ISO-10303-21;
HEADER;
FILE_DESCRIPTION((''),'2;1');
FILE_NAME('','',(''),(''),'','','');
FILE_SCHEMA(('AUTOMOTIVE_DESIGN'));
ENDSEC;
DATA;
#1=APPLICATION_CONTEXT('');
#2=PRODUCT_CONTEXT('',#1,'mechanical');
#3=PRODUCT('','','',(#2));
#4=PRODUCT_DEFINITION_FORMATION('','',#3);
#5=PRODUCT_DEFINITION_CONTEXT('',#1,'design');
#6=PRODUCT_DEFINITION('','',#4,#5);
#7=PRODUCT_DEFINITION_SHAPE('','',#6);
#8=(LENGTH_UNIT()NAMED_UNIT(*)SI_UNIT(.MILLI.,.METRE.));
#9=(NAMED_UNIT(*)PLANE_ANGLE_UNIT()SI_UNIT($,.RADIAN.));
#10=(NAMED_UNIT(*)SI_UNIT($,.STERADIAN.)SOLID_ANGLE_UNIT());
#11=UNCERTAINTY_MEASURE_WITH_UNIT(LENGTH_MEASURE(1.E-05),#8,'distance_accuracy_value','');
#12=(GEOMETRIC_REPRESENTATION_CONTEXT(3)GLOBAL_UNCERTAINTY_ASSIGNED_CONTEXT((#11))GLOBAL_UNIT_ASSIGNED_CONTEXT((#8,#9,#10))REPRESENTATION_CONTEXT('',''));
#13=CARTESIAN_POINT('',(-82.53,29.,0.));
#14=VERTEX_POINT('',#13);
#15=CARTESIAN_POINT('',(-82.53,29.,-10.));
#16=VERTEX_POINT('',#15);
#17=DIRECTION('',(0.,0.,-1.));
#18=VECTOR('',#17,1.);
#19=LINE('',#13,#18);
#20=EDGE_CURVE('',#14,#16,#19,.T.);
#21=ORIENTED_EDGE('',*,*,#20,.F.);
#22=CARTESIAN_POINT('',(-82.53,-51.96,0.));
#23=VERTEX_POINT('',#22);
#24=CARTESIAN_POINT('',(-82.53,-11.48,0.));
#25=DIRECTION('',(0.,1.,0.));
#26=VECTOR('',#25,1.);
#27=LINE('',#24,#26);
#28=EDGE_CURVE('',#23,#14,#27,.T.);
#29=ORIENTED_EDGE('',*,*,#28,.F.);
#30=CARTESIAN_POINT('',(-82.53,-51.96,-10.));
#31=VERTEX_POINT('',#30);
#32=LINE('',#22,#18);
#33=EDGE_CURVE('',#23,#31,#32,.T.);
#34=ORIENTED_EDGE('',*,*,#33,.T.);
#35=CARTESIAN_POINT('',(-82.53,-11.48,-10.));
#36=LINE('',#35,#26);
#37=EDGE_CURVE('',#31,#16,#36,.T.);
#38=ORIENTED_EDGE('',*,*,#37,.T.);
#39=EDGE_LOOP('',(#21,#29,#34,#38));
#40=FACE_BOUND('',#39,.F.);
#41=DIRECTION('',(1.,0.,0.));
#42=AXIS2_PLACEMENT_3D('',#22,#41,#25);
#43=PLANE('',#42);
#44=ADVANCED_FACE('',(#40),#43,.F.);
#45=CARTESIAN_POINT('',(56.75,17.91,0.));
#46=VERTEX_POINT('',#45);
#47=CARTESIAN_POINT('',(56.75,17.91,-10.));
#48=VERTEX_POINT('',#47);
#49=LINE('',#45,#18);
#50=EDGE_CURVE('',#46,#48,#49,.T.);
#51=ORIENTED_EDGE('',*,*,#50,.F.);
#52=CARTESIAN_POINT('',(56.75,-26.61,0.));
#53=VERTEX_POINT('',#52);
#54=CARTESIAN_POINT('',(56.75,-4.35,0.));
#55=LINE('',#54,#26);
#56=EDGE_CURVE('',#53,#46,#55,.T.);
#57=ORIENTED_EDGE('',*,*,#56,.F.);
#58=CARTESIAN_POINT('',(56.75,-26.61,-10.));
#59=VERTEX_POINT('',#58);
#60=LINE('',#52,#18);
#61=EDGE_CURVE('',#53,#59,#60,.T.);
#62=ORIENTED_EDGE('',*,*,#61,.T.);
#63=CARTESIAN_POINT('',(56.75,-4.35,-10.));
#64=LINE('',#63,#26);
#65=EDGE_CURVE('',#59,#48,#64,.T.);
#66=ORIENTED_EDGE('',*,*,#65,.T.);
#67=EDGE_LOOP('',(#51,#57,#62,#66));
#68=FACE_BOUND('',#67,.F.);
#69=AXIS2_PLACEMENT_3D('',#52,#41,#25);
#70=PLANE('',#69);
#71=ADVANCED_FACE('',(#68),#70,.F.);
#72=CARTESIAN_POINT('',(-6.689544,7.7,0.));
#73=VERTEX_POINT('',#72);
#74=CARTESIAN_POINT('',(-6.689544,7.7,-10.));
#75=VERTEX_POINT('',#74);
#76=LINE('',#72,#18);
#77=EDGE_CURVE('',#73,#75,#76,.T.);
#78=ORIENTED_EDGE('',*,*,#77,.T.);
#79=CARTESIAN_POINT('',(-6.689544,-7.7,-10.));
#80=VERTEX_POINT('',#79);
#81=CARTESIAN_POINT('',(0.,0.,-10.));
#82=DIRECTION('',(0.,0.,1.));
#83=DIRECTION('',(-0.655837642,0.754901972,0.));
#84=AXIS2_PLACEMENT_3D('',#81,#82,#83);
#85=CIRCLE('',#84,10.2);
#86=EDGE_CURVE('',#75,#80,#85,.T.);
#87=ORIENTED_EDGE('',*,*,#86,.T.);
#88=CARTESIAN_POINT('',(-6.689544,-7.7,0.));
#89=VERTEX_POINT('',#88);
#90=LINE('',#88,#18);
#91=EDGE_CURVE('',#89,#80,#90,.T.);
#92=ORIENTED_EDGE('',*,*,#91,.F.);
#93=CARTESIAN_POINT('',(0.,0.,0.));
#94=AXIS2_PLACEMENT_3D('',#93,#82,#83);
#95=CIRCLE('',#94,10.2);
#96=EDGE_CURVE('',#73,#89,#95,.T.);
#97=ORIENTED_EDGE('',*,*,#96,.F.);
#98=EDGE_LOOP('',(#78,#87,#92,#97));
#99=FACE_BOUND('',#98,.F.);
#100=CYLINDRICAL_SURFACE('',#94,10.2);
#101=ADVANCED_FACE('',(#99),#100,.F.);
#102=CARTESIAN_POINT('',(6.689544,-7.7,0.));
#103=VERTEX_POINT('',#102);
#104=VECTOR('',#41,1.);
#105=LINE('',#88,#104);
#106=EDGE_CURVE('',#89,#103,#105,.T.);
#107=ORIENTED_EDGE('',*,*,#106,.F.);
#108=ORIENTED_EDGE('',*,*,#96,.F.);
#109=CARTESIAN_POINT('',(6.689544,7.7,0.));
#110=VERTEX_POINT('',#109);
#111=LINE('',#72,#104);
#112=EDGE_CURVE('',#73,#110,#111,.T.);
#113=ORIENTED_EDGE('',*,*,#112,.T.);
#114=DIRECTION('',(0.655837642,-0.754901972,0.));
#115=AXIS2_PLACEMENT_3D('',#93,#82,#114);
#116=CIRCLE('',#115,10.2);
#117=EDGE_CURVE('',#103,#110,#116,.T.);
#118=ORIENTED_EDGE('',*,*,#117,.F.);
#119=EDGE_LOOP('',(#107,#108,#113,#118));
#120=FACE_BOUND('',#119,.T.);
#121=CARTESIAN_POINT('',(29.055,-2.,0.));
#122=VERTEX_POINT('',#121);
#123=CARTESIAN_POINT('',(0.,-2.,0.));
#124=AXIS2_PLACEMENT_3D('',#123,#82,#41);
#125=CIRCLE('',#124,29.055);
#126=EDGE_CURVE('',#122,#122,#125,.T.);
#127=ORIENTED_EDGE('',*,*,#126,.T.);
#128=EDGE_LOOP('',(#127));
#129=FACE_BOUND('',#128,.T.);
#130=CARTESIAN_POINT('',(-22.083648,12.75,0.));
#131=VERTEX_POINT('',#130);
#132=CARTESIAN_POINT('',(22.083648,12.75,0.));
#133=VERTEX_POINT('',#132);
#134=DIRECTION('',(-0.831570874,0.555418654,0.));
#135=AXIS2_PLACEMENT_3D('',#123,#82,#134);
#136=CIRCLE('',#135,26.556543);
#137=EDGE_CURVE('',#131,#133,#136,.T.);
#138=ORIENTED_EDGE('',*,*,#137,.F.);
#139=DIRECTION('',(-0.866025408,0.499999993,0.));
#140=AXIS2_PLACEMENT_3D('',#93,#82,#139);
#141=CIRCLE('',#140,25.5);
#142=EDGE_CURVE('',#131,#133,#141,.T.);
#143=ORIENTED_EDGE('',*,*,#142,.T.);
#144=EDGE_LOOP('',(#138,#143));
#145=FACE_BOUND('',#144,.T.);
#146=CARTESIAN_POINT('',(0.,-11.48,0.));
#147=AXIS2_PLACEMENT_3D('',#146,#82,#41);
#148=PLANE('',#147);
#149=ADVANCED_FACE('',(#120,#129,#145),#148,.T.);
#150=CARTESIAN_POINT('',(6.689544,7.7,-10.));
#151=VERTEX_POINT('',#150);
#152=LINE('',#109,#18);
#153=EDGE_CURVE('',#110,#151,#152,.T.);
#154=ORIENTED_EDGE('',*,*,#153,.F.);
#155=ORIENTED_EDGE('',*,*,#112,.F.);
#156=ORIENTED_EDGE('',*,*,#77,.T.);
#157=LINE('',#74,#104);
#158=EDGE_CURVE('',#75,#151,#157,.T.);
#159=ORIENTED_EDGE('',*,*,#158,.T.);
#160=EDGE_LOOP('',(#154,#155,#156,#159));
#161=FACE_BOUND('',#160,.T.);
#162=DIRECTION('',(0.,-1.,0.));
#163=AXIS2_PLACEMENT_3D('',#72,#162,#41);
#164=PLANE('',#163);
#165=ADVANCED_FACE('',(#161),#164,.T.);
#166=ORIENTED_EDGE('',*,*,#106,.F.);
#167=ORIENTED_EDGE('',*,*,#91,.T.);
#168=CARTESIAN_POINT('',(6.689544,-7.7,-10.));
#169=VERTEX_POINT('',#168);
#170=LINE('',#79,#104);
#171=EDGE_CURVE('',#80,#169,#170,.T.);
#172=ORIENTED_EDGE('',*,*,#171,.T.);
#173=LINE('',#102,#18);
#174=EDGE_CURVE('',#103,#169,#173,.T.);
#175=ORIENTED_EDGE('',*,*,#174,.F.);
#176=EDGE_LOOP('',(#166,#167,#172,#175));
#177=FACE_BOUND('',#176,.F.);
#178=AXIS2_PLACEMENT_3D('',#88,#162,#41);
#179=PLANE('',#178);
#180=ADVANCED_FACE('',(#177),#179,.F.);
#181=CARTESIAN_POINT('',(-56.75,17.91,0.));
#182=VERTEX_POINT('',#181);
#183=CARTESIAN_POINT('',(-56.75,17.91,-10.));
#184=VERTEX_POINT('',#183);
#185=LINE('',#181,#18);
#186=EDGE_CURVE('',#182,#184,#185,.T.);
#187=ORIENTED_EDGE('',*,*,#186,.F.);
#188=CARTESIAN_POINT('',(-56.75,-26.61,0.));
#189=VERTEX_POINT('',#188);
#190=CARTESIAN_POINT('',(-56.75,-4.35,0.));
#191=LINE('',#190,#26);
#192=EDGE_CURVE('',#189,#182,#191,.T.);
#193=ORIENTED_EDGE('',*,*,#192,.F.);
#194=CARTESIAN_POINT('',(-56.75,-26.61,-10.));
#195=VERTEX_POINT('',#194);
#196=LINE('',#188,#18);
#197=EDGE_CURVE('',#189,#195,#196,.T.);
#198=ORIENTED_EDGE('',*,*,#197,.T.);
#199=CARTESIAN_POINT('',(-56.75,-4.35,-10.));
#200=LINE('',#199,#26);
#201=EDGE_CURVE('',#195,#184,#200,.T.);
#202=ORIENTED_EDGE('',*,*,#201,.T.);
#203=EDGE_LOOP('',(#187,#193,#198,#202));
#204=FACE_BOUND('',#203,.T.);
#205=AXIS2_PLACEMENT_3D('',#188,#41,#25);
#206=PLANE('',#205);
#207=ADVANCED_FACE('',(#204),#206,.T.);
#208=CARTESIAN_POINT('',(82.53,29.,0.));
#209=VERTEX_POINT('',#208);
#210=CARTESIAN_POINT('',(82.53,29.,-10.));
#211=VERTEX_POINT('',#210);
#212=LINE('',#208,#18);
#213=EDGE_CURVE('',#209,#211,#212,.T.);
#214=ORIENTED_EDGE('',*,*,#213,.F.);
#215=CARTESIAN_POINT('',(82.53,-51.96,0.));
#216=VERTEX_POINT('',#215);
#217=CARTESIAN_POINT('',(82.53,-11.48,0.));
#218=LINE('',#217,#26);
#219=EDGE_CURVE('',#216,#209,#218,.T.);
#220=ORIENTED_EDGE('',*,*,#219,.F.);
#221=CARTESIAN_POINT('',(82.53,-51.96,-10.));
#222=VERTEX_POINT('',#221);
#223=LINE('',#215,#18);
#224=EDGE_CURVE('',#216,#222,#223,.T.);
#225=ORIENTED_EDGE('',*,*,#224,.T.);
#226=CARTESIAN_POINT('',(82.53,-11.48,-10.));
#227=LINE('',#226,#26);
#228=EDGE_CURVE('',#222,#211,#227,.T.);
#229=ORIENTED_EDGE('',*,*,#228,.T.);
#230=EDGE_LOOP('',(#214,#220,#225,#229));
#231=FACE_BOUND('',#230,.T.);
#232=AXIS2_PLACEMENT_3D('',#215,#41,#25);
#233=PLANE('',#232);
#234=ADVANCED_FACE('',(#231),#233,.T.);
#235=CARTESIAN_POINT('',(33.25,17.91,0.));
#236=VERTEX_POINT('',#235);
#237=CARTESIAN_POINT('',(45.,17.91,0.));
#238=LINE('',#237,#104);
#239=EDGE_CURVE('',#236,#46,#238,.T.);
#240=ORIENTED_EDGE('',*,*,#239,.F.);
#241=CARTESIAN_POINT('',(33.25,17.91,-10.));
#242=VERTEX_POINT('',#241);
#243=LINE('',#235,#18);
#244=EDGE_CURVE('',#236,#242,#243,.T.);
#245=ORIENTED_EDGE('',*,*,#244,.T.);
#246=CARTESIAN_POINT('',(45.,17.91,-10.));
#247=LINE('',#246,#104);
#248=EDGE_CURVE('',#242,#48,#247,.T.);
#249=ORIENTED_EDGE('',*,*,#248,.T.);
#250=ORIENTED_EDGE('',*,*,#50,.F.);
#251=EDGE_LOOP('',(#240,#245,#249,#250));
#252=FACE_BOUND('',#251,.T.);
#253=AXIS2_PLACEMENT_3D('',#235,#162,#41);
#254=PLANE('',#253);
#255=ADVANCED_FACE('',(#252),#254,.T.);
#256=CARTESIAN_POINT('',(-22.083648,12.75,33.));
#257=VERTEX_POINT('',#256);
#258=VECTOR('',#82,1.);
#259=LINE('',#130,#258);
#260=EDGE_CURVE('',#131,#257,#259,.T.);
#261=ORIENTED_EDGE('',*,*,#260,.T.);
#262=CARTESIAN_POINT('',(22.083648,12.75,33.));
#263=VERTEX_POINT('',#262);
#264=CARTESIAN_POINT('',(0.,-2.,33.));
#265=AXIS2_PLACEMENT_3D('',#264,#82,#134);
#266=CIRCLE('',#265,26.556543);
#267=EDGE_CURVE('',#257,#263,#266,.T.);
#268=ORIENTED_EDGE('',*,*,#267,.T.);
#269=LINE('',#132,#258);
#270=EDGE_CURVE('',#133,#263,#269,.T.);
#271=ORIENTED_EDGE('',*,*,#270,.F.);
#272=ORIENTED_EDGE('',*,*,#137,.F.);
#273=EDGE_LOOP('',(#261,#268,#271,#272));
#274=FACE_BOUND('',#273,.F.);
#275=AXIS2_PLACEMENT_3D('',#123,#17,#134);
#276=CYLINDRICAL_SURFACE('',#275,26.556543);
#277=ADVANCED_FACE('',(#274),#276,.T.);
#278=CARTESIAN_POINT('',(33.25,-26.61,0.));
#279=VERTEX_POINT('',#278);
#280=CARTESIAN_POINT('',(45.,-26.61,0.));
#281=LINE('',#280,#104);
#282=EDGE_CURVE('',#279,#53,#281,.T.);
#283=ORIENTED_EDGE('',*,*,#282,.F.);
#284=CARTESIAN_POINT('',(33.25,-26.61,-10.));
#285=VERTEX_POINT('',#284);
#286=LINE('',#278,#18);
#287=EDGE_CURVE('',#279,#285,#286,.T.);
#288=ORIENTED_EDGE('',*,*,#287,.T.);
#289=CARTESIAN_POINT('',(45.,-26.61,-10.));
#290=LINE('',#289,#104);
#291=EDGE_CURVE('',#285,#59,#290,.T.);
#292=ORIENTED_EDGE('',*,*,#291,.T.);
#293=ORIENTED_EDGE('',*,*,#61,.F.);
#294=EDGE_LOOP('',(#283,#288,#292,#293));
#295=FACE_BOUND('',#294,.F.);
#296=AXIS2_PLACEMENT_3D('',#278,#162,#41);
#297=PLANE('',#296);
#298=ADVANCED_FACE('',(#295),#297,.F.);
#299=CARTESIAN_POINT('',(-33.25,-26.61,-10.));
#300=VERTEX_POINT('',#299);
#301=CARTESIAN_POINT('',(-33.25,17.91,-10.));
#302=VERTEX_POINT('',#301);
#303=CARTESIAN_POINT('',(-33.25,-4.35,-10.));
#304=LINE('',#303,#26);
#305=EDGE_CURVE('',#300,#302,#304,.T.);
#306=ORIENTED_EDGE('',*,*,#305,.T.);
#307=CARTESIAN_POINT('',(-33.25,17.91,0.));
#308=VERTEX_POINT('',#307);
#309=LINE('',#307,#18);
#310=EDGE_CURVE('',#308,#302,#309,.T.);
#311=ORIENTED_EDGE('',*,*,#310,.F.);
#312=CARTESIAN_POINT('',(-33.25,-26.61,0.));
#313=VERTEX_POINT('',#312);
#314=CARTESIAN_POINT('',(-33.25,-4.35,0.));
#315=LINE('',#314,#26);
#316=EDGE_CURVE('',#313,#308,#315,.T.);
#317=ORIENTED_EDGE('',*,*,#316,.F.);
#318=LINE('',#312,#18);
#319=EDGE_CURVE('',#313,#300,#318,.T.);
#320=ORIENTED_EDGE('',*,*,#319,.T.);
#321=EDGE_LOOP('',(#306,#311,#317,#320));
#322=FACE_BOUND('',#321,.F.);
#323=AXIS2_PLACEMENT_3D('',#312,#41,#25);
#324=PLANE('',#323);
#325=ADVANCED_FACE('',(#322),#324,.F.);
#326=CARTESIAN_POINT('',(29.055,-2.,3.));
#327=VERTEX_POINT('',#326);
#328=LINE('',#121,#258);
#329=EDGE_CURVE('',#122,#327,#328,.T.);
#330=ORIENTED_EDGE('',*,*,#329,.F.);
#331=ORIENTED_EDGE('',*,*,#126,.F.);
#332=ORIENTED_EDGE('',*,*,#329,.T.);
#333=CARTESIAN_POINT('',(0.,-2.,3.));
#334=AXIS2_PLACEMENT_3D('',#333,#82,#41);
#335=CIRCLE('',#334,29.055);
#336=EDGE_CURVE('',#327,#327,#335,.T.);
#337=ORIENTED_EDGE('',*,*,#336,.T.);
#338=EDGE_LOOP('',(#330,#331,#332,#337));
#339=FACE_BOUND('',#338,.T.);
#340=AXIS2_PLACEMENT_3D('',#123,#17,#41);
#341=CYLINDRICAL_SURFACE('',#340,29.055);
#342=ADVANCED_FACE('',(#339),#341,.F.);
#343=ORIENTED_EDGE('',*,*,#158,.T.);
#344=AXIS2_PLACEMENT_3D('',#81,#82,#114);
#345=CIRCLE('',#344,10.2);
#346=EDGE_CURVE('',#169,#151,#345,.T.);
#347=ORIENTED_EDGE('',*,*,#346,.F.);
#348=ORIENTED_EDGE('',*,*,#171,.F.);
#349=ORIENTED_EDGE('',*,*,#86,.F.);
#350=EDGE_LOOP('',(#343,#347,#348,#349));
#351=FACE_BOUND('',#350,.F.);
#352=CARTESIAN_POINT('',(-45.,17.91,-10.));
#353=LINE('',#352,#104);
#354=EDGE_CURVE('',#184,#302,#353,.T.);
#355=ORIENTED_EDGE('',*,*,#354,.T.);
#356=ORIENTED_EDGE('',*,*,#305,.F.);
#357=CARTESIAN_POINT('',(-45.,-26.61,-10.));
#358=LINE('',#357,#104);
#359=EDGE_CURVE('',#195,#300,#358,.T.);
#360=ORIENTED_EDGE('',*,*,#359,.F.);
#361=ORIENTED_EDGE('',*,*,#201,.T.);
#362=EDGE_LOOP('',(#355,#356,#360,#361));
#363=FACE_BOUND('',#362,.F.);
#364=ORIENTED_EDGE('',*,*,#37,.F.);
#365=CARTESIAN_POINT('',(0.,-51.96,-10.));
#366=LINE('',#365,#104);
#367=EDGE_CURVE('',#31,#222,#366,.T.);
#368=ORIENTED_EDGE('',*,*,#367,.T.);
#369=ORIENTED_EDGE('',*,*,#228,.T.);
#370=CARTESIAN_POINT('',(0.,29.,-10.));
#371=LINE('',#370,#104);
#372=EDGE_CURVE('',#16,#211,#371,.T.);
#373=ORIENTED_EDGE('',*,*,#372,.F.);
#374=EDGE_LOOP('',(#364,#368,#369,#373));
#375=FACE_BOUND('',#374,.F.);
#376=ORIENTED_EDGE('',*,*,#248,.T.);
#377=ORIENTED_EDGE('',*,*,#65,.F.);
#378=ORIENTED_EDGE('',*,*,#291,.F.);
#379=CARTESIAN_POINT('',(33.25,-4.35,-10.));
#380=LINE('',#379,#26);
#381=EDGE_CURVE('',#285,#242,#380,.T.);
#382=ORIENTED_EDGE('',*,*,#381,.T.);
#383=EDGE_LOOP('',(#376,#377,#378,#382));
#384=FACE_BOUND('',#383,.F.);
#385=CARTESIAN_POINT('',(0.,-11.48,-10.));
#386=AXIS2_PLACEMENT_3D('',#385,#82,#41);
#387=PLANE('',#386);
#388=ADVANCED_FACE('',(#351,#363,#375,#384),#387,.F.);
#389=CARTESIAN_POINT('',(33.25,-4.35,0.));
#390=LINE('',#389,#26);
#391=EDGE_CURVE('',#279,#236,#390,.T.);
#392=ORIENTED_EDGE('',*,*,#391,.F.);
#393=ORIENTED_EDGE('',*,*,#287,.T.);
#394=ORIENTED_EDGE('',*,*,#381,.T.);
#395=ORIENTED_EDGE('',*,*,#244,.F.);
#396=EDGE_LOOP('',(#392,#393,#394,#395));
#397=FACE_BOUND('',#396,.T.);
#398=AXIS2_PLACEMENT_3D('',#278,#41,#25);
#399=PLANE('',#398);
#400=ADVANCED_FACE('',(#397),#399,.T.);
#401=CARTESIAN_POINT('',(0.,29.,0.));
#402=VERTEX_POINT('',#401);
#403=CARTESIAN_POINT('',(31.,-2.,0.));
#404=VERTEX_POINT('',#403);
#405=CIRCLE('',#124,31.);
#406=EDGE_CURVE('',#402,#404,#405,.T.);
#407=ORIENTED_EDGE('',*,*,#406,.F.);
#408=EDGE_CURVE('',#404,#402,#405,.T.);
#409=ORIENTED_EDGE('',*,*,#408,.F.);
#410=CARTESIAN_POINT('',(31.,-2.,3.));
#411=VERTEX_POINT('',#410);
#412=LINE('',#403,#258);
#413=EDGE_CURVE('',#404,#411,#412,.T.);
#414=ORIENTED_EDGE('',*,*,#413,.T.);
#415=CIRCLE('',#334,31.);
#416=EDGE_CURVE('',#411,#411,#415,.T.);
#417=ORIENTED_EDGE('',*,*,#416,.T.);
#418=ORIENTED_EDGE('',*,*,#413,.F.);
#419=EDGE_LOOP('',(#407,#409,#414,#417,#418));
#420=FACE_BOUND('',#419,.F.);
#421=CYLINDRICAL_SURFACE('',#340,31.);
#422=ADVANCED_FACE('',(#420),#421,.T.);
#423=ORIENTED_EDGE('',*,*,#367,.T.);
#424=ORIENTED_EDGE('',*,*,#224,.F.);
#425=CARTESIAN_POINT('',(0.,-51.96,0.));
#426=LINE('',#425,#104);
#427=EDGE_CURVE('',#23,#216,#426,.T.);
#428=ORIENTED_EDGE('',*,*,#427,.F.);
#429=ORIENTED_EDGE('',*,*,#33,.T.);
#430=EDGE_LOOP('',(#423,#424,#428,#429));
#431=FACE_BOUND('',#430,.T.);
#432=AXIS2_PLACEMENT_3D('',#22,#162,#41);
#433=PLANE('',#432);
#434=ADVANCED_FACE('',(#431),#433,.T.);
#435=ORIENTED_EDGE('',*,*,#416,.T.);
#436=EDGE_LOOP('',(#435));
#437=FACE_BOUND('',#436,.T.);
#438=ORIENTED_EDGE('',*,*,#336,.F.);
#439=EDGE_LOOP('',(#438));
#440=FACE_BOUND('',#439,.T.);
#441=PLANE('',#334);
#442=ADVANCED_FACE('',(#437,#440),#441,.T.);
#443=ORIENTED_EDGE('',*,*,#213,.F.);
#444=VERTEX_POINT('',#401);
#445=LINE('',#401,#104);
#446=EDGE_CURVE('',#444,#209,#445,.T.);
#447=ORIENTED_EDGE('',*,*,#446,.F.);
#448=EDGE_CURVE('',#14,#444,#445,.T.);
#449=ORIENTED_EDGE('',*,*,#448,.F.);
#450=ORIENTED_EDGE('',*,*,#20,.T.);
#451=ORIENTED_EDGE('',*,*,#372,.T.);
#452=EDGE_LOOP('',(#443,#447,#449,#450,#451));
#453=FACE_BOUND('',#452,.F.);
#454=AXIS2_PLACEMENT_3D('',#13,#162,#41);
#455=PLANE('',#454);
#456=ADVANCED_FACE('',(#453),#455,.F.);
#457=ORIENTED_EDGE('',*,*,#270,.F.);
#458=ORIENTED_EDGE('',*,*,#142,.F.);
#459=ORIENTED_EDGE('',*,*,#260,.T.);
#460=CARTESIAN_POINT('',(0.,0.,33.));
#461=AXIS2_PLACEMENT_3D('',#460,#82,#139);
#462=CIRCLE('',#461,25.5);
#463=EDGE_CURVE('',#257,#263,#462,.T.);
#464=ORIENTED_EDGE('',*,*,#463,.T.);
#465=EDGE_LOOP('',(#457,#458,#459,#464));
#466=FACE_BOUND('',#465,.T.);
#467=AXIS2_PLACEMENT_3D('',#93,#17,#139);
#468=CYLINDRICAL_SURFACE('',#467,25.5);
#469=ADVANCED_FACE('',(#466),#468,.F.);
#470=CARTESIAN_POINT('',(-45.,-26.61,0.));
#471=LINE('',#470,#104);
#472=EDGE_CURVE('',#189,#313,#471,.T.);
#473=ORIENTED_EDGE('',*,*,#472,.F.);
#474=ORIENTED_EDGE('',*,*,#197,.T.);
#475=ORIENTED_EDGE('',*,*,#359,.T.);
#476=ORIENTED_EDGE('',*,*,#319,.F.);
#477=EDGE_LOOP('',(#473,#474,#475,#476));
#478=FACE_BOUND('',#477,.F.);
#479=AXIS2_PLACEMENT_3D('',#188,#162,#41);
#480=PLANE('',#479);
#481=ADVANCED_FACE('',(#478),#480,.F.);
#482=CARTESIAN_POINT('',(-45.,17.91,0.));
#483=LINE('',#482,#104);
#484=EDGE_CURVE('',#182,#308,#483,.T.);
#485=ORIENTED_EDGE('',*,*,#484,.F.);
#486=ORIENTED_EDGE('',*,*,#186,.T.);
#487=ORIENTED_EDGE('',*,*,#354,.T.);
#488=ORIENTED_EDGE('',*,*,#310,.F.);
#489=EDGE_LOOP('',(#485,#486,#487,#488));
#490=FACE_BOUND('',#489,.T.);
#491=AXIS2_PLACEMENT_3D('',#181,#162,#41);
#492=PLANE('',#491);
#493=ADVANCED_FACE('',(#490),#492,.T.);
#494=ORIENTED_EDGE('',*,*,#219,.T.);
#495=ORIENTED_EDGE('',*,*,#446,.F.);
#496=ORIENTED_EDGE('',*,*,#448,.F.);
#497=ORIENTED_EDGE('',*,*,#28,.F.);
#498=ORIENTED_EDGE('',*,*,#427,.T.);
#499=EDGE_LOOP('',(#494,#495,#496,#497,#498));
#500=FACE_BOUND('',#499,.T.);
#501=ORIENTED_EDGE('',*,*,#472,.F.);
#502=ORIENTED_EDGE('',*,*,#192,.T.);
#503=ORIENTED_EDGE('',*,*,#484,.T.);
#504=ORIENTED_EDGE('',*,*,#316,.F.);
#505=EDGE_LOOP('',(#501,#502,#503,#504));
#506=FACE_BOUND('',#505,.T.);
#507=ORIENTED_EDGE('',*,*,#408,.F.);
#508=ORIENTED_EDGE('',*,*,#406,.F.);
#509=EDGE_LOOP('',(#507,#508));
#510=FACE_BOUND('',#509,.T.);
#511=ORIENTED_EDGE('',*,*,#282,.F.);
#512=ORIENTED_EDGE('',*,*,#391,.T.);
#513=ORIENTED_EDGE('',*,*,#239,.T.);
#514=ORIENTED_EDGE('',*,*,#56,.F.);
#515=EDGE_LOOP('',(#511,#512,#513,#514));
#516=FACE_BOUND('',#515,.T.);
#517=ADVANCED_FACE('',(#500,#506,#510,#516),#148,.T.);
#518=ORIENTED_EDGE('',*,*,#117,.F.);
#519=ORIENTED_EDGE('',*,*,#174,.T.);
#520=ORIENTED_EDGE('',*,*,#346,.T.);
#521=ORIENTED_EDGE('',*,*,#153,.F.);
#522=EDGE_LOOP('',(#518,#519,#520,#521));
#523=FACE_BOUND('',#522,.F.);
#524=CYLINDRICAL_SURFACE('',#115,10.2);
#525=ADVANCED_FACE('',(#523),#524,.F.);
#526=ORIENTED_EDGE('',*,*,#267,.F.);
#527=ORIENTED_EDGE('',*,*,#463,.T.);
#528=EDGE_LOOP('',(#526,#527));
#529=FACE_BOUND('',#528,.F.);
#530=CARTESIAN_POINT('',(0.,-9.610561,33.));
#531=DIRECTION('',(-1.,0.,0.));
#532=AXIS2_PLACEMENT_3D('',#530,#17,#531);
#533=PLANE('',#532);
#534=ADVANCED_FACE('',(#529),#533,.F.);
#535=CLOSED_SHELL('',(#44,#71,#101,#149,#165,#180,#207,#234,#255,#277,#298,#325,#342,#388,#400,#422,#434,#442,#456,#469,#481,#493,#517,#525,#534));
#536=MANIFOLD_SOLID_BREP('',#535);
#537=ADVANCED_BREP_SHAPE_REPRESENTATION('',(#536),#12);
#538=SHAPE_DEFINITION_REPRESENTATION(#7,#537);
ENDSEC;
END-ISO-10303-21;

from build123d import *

# Parameters (mm, degrees)
PAD002_DEPTH  = 33
SKETCH003_W   = 165.06
SKETCH003_H   = 80.96
SKETCH003_W_2 = 23.5
SKETCH003_H_2 = 44.52
PAD003_DEPTH  = 10
SKETCH004_R   = 31
SKETCH004_R_2 = 29.055
PAD004_DEPTH  = 3


with BuildPart() as part:
    # Sketch002 → Pad002 (new body)
    with BuildSketch(Plane.XY):
        with BuildLine():
            ThreePointArc((-22.083648, 12.75), (0, -25.5), (22.083648, 12.75))
            ThreePointArc((-22.083648, 12.75), (0, -28.556543), (22.083648, 12.75))
        make_face()
    extrude(amount=PAD002_DEPTH)

    # Sketch003 → Pad003 (join)
    with BuildSketch(Plane.XY):
        with Locations((0, -11.48)):
            Rectangle(SKETCH003_W, SKETCH003_H)
        with BuildLine():
            ThreePointArc((-6.689544, 7.7), (-10.2, 0), (-6.689544, -7.7))
            Line((-6.689544, -7.7), (6.689544, -7.7))
            ThreePointArc((6.689544, -7.7), (10.2, 0), (6.689544, 7.7))
            Line((-6.689544, 7.7), (6.689544, 7.7))
        make_face(mode=Mode.SUBTRACT)
        with Locations((45, -4.35)):
            Rectangle(SKETCH003_W_2, SKETCH003_H_2, mode=Mode.SUBTRACT)
        with Locations((-45, -4.35)):
            Rectangle(SKETCH003_W_2, SKETCH003_H_2, mode=Mode.SUBTRACT)
    extrude(amount=-PAD003_DEPTH)

    # Sketch004 (on Face3 of Pad003) → Pad004 (join)
    with BuildSketch(Plane.XY):
        with Locations((0, -2)):
            Circle(SKETCH004_R)
        with Locations((0, -2)):
            Circle(SKETCH004_R_2, mode=Mode.SUBTRACT)
    extrude(amount=PAD004_DEPTH)


solid = part.part
